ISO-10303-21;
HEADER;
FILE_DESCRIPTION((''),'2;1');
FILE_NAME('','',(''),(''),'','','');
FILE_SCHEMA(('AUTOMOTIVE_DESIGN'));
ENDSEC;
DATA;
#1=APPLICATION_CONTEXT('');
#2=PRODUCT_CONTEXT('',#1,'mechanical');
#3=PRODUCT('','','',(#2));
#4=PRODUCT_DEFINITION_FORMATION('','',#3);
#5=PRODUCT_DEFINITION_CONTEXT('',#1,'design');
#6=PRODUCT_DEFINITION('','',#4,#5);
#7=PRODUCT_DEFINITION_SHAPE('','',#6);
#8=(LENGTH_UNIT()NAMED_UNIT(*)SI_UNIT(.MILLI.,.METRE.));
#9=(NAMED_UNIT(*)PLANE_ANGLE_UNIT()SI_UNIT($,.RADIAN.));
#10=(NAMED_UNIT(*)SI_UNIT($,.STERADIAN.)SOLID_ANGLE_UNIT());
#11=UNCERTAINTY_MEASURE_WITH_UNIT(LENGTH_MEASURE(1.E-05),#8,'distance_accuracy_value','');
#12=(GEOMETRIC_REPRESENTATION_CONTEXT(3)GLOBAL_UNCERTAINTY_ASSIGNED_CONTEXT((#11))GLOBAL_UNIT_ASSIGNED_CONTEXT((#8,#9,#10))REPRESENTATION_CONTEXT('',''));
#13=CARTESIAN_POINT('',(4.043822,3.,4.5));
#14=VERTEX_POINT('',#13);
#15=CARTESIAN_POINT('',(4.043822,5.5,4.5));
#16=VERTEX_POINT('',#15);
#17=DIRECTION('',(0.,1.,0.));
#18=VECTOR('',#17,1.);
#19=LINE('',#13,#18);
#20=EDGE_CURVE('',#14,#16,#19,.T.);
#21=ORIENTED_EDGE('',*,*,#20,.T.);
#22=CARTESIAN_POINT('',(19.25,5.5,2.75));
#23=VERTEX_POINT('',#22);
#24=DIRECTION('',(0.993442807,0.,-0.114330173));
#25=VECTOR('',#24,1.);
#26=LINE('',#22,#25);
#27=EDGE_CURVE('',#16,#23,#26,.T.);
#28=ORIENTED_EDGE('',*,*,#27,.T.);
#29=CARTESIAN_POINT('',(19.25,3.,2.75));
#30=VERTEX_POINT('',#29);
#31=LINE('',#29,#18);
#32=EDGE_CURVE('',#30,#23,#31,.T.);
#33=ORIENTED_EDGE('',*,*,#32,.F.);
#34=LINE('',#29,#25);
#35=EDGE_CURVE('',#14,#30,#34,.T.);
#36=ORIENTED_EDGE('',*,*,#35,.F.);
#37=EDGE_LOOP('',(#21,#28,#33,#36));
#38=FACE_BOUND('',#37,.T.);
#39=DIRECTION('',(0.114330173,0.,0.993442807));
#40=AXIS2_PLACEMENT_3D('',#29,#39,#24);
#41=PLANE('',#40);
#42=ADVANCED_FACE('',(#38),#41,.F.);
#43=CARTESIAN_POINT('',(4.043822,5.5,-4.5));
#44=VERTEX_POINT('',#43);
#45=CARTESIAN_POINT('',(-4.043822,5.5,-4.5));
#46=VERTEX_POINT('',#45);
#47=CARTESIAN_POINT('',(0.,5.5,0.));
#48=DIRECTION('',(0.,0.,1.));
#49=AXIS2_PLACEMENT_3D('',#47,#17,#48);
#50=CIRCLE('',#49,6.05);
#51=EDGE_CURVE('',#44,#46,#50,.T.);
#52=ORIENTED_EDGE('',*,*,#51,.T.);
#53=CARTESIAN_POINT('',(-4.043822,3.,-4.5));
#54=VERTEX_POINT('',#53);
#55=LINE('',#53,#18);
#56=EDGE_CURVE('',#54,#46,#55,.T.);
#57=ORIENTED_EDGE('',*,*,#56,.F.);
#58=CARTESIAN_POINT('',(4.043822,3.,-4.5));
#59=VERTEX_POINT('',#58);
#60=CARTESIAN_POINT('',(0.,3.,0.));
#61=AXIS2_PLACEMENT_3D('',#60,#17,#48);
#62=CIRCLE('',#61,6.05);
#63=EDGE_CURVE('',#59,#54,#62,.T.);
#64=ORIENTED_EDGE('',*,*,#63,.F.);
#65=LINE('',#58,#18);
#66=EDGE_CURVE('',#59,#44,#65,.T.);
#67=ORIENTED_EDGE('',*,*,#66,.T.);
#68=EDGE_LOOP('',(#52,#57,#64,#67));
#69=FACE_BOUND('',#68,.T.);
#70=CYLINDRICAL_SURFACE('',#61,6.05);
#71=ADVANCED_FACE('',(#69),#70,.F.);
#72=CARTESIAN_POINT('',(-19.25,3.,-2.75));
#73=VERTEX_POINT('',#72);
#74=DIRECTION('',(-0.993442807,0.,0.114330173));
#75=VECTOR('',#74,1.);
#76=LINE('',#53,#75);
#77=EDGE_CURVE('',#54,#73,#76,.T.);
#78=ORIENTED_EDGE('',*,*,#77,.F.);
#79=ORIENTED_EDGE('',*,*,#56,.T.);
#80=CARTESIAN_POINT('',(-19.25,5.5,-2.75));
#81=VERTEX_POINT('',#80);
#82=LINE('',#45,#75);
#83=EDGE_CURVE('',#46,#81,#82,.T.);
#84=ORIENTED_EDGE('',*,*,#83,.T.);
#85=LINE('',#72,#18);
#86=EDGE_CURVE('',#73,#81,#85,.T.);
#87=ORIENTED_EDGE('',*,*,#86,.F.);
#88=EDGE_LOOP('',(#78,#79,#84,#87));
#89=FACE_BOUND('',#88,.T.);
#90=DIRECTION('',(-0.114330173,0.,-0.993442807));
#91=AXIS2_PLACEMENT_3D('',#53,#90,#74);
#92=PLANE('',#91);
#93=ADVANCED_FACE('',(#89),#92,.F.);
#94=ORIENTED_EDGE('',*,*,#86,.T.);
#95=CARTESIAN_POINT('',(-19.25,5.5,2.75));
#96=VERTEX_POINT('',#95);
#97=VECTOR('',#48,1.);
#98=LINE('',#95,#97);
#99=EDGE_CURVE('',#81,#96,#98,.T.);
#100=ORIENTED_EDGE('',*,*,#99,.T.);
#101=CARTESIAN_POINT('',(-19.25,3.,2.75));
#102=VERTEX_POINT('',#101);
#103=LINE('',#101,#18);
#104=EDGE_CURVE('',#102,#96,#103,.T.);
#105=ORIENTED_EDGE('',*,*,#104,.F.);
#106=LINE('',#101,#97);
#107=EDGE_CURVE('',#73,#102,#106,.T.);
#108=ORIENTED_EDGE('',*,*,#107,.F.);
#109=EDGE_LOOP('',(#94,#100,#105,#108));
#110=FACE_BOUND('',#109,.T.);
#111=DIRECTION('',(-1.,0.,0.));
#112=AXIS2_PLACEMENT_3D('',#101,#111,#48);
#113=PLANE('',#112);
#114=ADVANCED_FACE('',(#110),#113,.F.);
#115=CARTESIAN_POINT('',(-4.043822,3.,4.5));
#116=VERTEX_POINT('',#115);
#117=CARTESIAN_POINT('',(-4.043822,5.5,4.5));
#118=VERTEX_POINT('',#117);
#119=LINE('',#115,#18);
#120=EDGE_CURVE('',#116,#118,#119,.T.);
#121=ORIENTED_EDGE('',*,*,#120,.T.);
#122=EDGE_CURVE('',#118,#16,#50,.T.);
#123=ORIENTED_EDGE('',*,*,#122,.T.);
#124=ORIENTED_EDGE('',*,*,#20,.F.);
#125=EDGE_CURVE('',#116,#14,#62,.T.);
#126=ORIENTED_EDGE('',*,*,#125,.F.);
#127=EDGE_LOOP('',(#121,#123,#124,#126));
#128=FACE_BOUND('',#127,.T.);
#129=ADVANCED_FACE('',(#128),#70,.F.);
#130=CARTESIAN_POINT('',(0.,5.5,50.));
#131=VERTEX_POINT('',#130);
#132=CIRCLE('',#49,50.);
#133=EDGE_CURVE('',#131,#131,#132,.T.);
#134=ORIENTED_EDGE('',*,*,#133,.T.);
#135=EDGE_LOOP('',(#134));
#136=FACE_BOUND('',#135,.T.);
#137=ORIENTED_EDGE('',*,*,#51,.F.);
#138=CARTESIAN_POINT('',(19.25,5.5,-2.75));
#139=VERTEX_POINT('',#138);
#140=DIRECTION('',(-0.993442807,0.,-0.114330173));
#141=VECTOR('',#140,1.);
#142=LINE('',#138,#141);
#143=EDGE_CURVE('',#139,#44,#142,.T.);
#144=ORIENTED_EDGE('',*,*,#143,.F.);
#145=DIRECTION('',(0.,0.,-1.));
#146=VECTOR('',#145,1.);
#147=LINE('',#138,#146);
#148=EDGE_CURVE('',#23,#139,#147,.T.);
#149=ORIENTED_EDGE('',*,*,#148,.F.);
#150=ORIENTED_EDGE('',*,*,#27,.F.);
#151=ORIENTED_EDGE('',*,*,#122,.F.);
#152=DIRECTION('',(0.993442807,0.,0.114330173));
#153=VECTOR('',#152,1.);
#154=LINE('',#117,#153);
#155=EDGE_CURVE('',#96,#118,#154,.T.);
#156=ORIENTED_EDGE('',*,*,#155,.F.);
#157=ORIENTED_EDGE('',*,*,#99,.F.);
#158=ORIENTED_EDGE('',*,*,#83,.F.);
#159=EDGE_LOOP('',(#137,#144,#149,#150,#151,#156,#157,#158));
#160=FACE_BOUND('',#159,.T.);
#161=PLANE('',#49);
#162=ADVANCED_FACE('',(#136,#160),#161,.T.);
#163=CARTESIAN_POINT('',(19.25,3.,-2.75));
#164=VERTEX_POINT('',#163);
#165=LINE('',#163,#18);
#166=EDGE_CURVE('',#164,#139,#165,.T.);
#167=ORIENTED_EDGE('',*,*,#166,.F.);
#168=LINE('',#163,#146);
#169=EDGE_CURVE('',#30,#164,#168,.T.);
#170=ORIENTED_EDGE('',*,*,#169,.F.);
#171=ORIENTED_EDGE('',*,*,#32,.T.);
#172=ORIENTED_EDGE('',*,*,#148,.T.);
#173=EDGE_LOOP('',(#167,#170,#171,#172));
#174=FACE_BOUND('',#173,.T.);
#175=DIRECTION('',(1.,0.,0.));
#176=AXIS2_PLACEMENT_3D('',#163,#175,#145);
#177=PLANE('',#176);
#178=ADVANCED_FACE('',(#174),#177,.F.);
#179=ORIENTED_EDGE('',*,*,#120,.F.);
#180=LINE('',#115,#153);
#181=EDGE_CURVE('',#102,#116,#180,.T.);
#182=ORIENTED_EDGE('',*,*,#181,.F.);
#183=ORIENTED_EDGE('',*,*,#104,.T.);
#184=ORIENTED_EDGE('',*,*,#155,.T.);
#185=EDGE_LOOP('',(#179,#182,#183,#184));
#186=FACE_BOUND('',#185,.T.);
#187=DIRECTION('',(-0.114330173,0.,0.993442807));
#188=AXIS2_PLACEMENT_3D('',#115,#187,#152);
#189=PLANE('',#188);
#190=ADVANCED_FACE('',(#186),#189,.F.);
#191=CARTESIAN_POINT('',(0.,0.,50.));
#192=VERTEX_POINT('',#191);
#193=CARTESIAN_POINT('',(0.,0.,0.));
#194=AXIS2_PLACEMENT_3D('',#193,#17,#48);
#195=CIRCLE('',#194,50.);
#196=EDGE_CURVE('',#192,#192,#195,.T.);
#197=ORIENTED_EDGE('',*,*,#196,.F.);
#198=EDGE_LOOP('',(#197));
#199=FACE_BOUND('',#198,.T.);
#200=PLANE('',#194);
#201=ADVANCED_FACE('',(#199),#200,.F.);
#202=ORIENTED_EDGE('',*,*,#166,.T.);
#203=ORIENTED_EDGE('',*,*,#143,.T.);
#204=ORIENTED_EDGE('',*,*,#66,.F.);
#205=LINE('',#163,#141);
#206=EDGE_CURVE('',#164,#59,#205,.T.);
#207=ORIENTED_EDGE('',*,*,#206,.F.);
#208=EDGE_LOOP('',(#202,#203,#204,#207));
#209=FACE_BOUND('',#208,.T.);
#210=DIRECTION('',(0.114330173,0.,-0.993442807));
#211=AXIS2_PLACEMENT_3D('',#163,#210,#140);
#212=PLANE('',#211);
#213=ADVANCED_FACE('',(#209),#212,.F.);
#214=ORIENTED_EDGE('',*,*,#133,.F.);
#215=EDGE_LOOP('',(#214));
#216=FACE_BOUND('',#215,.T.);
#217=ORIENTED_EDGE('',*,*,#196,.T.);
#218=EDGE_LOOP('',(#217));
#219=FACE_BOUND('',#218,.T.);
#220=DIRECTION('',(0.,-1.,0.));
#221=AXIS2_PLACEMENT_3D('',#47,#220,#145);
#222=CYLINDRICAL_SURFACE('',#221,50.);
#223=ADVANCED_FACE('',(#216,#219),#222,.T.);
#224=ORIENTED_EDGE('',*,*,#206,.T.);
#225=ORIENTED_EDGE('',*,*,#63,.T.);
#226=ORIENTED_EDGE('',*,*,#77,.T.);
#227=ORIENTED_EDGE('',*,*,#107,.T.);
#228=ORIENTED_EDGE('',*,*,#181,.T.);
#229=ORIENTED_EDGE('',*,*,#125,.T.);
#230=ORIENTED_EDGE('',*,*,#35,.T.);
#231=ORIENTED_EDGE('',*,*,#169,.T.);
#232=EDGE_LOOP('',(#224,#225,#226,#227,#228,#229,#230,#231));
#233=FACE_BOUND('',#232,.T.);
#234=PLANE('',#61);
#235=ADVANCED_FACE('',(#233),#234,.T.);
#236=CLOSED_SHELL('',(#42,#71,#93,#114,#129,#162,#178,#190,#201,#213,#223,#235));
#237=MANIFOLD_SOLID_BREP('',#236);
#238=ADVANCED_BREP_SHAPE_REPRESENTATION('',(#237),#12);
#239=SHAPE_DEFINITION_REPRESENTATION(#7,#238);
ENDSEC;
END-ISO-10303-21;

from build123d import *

# Parameters (mm, degrees)
SKETCH1_R           = 50
BOSS_EXTRUDE1_DEPTH = 5.5
CUT_EXTRUDE1_DEPTH  = 2.5


with BuildPart() as part:
    # Sketch1 → Boss-Extrude1 (new body)
    with BuildSketch(Plane(origin=(0, 0, 0), x_dir=(1, 0, 0), z_dir=(0, 1, 0))):
        with Locations(Location((0, 0, 0), (0, 0, 270))):
            Circle(SKETCH1_R)
    extrude(amount=BOSS_EXTRUDE1_DEPTH)

    # Sketch2 → Cut-Extrude1 (cut)
    with BuildSketch(Plane(origin=(0, 5.5, 0), x_dir=(1, 0, 0), z_dir=(0, 1, 0))):
        with BuildLine():
            Line((-4.043822449, -4.5), (-19.25, -2.75))
            Line((-19.25, -2.75), (-19.25, 2.75))
            Line((-19.25, 2.75), (-4.043822449, 4.5))
            ThreePointArc((-4.043822449, 4.5), (0, 6.05), (4.043822449, 4.5))
            Line((4.043822449, 4.5), (19.25, 2.75))
            Line((19.25, 2.75), (19.25, -2.75))
            Line((19.25, -2.75), (4.043822449, -4.5))
            ThreePointArc((4.043822449, -4.5), (0, -6.05), (-4.043822449, -4.5))
        make_face()
    extrude(amount=-CUT_EXTRUDE1_DEPTH, mode=Mode.SUBTRACT)


solid = part.part
